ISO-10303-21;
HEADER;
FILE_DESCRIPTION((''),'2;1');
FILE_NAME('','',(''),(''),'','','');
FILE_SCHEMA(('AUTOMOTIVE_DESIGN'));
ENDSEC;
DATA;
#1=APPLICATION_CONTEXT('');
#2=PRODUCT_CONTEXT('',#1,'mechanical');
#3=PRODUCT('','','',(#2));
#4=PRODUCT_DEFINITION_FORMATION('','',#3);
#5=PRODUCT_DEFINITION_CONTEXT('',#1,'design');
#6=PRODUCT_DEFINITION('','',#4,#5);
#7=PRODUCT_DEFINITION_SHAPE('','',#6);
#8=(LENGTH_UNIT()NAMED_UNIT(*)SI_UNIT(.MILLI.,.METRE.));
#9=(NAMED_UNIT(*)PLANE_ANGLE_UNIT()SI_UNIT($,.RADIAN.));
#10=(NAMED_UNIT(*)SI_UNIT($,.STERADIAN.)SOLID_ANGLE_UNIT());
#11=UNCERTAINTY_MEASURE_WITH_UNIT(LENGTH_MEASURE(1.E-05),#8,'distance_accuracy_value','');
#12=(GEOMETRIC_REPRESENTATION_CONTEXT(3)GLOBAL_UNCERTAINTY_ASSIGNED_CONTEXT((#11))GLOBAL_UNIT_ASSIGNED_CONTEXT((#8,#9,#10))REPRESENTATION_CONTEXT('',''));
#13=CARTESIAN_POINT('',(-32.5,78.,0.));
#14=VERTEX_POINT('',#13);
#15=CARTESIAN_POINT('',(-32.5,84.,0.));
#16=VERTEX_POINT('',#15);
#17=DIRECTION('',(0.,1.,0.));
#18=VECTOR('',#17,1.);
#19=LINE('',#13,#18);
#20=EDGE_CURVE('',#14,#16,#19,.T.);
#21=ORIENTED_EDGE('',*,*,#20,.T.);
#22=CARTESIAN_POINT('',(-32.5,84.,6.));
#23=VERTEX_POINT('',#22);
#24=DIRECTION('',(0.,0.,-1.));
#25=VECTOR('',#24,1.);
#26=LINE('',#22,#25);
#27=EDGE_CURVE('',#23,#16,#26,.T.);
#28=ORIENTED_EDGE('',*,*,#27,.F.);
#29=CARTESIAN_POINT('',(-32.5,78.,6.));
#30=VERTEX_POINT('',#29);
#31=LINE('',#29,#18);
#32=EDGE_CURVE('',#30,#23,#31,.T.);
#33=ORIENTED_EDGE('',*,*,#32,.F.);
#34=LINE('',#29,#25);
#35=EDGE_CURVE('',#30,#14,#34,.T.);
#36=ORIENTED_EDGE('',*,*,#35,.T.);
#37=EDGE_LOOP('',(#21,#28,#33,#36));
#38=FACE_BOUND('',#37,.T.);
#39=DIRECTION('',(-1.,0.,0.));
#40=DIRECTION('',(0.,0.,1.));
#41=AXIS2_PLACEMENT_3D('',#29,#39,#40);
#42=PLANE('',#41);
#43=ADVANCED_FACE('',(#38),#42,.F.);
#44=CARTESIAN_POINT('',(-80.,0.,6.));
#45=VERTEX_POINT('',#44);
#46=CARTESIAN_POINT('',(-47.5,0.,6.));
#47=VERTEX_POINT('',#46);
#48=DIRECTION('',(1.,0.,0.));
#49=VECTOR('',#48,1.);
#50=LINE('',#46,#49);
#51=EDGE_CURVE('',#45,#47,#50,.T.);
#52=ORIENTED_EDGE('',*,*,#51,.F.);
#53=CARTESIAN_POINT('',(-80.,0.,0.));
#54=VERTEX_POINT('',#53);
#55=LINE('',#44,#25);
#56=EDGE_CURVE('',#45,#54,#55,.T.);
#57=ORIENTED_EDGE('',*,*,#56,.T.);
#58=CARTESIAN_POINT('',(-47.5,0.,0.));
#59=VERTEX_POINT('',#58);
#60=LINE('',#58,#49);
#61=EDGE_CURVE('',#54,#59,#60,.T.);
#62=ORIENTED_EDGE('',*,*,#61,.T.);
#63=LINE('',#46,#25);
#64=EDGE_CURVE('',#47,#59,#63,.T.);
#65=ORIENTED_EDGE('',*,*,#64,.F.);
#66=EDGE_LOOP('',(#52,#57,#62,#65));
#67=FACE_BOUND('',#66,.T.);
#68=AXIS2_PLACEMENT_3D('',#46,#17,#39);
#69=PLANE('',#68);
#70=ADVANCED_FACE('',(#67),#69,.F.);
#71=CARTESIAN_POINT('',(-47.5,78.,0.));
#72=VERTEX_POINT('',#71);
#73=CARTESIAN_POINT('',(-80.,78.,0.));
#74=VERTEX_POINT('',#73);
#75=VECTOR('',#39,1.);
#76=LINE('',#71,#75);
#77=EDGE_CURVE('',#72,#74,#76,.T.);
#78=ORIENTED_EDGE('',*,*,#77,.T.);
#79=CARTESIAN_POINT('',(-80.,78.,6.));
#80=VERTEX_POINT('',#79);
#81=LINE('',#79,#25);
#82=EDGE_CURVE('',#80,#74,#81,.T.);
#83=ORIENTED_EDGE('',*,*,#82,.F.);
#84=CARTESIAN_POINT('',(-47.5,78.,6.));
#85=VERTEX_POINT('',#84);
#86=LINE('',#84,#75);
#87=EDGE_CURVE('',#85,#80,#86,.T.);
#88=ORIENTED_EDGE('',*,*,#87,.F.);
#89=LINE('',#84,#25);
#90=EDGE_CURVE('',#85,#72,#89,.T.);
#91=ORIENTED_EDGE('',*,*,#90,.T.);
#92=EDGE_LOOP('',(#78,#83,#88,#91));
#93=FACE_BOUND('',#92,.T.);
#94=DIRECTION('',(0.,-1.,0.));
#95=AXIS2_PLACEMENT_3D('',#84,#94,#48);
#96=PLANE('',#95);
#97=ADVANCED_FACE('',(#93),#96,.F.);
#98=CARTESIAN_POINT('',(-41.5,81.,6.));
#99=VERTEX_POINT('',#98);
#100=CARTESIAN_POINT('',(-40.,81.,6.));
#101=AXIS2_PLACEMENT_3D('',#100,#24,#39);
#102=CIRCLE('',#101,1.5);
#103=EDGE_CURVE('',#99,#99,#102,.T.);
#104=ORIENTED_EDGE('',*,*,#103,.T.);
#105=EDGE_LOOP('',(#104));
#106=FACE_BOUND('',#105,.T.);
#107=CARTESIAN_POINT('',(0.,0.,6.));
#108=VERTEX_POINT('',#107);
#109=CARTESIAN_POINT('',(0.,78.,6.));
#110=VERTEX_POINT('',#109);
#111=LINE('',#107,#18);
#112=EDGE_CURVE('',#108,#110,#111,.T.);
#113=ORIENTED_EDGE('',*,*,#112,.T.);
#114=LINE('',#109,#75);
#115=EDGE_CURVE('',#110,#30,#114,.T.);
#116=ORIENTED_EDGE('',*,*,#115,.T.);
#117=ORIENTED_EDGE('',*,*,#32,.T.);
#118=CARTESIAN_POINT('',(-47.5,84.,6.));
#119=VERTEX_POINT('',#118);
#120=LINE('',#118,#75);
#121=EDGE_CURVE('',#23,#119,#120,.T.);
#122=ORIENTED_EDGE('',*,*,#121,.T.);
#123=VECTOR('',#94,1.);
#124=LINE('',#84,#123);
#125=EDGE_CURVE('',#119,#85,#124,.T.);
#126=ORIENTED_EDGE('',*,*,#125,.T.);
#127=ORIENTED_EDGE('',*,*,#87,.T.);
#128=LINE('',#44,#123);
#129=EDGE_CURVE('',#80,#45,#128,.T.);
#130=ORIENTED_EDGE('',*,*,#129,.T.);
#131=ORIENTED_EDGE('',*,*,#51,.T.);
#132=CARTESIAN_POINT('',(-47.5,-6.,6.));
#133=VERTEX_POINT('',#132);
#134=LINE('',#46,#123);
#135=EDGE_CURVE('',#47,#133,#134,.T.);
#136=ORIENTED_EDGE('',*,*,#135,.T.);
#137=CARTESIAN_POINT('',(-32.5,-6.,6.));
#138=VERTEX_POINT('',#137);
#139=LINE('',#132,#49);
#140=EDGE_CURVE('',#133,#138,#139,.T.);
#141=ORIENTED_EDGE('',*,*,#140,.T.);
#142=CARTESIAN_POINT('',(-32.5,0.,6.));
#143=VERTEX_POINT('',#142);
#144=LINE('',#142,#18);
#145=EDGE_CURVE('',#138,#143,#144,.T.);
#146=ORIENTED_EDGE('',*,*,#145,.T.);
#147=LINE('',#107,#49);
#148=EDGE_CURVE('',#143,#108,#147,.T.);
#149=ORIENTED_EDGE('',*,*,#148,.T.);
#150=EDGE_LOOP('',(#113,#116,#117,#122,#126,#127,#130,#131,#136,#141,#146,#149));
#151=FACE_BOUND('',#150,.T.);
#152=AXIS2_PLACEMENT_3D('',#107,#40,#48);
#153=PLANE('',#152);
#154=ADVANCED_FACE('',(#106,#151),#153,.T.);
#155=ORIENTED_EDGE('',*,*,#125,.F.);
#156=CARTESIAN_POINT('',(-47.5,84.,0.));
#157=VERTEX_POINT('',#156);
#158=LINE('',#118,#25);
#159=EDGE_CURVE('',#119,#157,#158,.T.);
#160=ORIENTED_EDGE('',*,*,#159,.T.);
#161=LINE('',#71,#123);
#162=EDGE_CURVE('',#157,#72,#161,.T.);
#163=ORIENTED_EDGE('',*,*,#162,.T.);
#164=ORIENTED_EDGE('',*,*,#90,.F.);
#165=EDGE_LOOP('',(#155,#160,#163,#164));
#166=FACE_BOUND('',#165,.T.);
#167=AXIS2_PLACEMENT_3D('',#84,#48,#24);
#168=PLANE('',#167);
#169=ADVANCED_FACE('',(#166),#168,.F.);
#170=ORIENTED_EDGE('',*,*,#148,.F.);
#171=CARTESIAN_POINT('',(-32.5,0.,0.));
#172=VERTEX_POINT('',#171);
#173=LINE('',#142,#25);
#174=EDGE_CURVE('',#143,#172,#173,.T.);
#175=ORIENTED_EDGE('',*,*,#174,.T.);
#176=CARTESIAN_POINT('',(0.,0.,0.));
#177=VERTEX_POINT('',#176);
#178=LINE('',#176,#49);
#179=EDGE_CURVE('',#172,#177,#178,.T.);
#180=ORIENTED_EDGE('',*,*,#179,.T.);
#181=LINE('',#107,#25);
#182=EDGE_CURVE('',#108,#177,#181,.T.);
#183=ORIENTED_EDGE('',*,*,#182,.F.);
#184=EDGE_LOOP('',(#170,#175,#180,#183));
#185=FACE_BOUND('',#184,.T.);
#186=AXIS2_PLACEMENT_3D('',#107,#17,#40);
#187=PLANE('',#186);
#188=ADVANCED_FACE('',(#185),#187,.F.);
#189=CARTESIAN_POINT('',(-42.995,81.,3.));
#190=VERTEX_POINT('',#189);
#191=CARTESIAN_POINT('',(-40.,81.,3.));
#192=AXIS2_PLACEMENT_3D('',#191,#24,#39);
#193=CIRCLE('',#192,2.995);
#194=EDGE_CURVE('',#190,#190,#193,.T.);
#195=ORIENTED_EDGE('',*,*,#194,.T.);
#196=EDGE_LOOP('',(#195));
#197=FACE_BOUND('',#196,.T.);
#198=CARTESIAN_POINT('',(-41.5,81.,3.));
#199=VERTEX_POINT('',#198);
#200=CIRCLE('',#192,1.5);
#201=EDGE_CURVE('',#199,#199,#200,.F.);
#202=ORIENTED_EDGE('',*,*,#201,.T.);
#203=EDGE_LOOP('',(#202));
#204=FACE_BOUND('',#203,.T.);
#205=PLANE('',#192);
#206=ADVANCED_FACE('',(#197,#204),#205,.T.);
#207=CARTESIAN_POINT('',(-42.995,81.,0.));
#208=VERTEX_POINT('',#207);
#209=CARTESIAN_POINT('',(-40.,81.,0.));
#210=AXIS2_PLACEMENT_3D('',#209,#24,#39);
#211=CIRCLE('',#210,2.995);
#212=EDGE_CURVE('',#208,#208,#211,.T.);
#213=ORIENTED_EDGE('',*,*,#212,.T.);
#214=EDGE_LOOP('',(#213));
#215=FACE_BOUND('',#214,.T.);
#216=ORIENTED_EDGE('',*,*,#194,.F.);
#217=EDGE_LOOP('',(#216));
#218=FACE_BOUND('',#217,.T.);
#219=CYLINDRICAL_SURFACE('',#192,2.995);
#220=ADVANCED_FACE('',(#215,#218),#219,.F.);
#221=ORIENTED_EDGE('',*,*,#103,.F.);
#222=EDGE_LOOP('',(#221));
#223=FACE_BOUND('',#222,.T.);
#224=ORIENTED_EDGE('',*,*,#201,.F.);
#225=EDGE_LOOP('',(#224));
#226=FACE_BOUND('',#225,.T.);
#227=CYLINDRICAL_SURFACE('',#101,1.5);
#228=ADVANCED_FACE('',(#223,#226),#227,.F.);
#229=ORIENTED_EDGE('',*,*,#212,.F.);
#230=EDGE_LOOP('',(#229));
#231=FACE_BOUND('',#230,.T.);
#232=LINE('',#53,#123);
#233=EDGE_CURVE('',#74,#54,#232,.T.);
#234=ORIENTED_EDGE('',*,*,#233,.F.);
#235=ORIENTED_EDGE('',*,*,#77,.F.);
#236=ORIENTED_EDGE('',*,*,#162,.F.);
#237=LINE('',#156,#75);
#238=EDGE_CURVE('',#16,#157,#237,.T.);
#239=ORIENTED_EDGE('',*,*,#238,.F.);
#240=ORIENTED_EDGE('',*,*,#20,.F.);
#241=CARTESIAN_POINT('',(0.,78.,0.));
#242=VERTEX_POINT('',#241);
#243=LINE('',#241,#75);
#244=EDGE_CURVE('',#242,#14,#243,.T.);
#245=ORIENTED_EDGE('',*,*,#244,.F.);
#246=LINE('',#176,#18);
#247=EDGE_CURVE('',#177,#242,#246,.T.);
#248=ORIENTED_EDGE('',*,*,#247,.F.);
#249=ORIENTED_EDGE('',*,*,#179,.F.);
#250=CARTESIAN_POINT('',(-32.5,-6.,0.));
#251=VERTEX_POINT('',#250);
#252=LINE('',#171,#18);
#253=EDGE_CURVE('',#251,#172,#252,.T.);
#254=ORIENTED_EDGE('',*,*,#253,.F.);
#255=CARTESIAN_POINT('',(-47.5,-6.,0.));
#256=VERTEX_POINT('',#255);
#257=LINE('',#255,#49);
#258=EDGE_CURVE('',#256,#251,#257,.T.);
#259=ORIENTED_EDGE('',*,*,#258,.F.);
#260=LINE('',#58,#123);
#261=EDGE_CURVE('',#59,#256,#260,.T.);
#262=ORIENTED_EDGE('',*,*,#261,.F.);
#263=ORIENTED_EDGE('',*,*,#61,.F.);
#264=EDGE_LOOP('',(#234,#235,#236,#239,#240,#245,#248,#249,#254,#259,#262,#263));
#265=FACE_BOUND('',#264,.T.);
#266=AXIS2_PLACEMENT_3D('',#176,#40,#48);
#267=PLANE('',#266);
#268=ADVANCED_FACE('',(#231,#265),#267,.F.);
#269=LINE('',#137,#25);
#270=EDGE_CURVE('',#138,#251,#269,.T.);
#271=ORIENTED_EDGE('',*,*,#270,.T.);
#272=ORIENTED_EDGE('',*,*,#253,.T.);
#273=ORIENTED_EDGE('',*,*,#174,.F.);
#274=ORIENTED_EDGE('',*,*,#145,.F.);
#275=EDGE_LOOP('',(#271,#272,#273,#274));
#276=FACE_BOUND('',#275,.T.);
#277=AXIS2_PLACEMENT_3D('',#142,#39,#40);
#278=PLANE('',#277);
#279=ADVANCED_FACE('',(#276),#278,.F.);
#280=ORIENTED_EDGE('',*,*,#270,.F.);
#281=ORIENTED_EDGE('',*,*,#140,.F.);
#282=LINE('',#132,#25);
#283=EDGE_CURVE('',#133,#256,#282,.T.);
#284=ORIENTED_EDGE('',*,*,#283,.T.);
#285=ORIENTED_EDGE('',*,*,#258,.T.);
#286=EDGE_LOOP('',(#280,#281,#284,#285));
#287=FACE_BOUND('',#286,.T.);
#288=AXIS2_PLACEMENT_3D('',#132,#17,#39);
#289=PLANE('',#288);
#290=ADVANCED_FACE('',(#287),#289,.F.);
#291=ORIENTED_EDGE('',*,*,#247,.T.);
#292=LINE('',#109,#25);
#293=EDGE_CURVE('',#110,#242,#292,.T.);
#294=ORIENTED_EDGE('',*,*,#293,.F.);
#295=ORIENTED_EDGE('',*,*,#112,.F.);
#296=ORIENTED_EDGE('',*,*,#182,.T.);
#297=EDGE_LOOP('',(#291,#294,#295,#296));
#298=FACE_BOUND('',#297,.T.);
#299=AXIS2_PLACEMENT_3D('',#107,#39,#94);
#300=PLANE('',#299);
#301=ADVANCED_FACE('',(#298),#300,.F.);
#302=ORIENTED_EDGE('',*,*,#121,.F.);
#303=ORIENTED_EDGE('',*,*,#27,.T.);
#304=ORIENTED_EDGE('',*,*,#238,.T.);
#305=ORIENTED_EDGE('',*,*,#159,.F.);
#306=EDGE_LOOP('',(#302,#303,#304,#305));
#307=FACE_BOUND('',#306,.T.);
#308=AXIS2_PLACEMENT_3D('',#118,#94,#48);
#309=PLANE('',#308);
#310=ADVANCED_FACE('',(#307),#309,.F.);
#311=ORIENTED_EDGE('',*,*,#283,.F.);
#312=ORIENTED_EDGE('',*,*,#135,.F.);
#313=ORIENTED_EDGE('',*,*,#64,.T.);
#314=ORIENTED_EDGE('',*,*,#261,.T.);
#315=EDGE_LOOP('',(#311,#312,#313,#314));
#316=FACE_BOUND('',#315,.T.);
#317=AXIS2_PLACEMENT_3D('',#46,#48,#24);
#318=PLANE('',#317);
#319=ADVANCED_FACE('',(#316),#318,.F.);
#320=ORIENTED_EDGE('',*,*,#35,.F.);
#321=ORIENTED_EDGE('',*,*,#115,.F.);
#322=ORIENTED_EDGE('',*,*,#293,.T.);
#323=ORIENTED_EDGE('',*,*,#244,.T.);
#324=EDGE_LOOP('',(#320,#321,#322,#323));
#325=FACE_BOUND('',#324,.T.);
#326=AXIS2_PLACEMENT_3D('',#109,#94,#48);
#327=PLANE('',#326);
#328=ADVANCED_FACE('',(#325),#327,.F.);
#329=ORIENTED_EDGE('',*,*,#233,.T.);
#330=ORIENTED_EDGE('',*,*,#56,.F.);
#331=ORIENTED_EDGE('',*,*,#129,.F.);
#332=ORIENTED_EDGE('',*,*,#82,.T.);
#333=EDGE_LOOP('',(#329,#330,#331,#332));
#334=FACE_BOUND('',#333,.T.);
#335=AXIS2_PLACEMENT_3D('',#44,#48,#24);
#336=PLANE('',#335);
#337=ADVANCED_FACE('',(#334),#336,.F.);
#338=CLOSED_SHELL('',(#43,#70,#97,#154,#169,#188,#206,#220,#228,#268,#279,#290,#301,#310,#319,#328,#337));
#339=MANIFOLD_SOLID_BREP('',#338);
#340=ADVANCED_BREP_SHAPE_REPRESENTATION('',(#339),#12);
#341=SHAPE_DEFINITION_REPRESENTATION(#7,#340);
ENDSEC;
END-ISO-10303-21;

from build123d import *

# Parameters (mm, degrees)
BOSS_EXTRU_1_DEPTH      = 6
ESQUISSE2_R             = 1.5
ENL_V_MAT_EXTRU_1_DEPTH = 6
ESQUISSE3_R             = 2.995
ENL_V_MAT_EXTRU_2_DEPTH = 3


with BuildPart() as part:
    # Esquisse1 → Boss.-Extru.1 (new body)
    with BuildSketch(Plane.XY):
        Polygon((-47.5, 78), (-80, 78), (-80, 0), (-47.5, 0), (-47.5, -6), (-32.5, -6), (-32.5, 0), (0, 0), (0, 78), (-32.5, 78), (-32.5, 84), (-47.5, 84), align=None)
    extrude(amount=BOSS_EXTRU_1_DEPTH)

    # Esquisse2 → Enlèv. mat.-Extru.1 (cut)
    with BuildSketch(Plane(origin=(0, 0, 0), x_dir=(-1, 0, 0), z_dir=(0, 0, -1))):
        with Locations((40, 81)):
            Circle(ESQUISSE2_R)
    extrude(amount=-ENL_V_MAT_EXTRU_1_DEPTH, mode=Mode.SUBTRACT)

    # Esquisse3 → Enlèv. mat.-Extru.2 (cut)
    with BuildSketch(Plane(origin=(0, 0, 0), x_dir=(-1, 0, 0), z_dir=(0, 0, -1))):
        with Locations((40, 81)):
            Circle(ESQUISSE3_R)
    extrude(amount=-ENL_V_MAT_EXTRU_2_DEPTH, mode=Mode.SUBTRACT)


solid = part.part
